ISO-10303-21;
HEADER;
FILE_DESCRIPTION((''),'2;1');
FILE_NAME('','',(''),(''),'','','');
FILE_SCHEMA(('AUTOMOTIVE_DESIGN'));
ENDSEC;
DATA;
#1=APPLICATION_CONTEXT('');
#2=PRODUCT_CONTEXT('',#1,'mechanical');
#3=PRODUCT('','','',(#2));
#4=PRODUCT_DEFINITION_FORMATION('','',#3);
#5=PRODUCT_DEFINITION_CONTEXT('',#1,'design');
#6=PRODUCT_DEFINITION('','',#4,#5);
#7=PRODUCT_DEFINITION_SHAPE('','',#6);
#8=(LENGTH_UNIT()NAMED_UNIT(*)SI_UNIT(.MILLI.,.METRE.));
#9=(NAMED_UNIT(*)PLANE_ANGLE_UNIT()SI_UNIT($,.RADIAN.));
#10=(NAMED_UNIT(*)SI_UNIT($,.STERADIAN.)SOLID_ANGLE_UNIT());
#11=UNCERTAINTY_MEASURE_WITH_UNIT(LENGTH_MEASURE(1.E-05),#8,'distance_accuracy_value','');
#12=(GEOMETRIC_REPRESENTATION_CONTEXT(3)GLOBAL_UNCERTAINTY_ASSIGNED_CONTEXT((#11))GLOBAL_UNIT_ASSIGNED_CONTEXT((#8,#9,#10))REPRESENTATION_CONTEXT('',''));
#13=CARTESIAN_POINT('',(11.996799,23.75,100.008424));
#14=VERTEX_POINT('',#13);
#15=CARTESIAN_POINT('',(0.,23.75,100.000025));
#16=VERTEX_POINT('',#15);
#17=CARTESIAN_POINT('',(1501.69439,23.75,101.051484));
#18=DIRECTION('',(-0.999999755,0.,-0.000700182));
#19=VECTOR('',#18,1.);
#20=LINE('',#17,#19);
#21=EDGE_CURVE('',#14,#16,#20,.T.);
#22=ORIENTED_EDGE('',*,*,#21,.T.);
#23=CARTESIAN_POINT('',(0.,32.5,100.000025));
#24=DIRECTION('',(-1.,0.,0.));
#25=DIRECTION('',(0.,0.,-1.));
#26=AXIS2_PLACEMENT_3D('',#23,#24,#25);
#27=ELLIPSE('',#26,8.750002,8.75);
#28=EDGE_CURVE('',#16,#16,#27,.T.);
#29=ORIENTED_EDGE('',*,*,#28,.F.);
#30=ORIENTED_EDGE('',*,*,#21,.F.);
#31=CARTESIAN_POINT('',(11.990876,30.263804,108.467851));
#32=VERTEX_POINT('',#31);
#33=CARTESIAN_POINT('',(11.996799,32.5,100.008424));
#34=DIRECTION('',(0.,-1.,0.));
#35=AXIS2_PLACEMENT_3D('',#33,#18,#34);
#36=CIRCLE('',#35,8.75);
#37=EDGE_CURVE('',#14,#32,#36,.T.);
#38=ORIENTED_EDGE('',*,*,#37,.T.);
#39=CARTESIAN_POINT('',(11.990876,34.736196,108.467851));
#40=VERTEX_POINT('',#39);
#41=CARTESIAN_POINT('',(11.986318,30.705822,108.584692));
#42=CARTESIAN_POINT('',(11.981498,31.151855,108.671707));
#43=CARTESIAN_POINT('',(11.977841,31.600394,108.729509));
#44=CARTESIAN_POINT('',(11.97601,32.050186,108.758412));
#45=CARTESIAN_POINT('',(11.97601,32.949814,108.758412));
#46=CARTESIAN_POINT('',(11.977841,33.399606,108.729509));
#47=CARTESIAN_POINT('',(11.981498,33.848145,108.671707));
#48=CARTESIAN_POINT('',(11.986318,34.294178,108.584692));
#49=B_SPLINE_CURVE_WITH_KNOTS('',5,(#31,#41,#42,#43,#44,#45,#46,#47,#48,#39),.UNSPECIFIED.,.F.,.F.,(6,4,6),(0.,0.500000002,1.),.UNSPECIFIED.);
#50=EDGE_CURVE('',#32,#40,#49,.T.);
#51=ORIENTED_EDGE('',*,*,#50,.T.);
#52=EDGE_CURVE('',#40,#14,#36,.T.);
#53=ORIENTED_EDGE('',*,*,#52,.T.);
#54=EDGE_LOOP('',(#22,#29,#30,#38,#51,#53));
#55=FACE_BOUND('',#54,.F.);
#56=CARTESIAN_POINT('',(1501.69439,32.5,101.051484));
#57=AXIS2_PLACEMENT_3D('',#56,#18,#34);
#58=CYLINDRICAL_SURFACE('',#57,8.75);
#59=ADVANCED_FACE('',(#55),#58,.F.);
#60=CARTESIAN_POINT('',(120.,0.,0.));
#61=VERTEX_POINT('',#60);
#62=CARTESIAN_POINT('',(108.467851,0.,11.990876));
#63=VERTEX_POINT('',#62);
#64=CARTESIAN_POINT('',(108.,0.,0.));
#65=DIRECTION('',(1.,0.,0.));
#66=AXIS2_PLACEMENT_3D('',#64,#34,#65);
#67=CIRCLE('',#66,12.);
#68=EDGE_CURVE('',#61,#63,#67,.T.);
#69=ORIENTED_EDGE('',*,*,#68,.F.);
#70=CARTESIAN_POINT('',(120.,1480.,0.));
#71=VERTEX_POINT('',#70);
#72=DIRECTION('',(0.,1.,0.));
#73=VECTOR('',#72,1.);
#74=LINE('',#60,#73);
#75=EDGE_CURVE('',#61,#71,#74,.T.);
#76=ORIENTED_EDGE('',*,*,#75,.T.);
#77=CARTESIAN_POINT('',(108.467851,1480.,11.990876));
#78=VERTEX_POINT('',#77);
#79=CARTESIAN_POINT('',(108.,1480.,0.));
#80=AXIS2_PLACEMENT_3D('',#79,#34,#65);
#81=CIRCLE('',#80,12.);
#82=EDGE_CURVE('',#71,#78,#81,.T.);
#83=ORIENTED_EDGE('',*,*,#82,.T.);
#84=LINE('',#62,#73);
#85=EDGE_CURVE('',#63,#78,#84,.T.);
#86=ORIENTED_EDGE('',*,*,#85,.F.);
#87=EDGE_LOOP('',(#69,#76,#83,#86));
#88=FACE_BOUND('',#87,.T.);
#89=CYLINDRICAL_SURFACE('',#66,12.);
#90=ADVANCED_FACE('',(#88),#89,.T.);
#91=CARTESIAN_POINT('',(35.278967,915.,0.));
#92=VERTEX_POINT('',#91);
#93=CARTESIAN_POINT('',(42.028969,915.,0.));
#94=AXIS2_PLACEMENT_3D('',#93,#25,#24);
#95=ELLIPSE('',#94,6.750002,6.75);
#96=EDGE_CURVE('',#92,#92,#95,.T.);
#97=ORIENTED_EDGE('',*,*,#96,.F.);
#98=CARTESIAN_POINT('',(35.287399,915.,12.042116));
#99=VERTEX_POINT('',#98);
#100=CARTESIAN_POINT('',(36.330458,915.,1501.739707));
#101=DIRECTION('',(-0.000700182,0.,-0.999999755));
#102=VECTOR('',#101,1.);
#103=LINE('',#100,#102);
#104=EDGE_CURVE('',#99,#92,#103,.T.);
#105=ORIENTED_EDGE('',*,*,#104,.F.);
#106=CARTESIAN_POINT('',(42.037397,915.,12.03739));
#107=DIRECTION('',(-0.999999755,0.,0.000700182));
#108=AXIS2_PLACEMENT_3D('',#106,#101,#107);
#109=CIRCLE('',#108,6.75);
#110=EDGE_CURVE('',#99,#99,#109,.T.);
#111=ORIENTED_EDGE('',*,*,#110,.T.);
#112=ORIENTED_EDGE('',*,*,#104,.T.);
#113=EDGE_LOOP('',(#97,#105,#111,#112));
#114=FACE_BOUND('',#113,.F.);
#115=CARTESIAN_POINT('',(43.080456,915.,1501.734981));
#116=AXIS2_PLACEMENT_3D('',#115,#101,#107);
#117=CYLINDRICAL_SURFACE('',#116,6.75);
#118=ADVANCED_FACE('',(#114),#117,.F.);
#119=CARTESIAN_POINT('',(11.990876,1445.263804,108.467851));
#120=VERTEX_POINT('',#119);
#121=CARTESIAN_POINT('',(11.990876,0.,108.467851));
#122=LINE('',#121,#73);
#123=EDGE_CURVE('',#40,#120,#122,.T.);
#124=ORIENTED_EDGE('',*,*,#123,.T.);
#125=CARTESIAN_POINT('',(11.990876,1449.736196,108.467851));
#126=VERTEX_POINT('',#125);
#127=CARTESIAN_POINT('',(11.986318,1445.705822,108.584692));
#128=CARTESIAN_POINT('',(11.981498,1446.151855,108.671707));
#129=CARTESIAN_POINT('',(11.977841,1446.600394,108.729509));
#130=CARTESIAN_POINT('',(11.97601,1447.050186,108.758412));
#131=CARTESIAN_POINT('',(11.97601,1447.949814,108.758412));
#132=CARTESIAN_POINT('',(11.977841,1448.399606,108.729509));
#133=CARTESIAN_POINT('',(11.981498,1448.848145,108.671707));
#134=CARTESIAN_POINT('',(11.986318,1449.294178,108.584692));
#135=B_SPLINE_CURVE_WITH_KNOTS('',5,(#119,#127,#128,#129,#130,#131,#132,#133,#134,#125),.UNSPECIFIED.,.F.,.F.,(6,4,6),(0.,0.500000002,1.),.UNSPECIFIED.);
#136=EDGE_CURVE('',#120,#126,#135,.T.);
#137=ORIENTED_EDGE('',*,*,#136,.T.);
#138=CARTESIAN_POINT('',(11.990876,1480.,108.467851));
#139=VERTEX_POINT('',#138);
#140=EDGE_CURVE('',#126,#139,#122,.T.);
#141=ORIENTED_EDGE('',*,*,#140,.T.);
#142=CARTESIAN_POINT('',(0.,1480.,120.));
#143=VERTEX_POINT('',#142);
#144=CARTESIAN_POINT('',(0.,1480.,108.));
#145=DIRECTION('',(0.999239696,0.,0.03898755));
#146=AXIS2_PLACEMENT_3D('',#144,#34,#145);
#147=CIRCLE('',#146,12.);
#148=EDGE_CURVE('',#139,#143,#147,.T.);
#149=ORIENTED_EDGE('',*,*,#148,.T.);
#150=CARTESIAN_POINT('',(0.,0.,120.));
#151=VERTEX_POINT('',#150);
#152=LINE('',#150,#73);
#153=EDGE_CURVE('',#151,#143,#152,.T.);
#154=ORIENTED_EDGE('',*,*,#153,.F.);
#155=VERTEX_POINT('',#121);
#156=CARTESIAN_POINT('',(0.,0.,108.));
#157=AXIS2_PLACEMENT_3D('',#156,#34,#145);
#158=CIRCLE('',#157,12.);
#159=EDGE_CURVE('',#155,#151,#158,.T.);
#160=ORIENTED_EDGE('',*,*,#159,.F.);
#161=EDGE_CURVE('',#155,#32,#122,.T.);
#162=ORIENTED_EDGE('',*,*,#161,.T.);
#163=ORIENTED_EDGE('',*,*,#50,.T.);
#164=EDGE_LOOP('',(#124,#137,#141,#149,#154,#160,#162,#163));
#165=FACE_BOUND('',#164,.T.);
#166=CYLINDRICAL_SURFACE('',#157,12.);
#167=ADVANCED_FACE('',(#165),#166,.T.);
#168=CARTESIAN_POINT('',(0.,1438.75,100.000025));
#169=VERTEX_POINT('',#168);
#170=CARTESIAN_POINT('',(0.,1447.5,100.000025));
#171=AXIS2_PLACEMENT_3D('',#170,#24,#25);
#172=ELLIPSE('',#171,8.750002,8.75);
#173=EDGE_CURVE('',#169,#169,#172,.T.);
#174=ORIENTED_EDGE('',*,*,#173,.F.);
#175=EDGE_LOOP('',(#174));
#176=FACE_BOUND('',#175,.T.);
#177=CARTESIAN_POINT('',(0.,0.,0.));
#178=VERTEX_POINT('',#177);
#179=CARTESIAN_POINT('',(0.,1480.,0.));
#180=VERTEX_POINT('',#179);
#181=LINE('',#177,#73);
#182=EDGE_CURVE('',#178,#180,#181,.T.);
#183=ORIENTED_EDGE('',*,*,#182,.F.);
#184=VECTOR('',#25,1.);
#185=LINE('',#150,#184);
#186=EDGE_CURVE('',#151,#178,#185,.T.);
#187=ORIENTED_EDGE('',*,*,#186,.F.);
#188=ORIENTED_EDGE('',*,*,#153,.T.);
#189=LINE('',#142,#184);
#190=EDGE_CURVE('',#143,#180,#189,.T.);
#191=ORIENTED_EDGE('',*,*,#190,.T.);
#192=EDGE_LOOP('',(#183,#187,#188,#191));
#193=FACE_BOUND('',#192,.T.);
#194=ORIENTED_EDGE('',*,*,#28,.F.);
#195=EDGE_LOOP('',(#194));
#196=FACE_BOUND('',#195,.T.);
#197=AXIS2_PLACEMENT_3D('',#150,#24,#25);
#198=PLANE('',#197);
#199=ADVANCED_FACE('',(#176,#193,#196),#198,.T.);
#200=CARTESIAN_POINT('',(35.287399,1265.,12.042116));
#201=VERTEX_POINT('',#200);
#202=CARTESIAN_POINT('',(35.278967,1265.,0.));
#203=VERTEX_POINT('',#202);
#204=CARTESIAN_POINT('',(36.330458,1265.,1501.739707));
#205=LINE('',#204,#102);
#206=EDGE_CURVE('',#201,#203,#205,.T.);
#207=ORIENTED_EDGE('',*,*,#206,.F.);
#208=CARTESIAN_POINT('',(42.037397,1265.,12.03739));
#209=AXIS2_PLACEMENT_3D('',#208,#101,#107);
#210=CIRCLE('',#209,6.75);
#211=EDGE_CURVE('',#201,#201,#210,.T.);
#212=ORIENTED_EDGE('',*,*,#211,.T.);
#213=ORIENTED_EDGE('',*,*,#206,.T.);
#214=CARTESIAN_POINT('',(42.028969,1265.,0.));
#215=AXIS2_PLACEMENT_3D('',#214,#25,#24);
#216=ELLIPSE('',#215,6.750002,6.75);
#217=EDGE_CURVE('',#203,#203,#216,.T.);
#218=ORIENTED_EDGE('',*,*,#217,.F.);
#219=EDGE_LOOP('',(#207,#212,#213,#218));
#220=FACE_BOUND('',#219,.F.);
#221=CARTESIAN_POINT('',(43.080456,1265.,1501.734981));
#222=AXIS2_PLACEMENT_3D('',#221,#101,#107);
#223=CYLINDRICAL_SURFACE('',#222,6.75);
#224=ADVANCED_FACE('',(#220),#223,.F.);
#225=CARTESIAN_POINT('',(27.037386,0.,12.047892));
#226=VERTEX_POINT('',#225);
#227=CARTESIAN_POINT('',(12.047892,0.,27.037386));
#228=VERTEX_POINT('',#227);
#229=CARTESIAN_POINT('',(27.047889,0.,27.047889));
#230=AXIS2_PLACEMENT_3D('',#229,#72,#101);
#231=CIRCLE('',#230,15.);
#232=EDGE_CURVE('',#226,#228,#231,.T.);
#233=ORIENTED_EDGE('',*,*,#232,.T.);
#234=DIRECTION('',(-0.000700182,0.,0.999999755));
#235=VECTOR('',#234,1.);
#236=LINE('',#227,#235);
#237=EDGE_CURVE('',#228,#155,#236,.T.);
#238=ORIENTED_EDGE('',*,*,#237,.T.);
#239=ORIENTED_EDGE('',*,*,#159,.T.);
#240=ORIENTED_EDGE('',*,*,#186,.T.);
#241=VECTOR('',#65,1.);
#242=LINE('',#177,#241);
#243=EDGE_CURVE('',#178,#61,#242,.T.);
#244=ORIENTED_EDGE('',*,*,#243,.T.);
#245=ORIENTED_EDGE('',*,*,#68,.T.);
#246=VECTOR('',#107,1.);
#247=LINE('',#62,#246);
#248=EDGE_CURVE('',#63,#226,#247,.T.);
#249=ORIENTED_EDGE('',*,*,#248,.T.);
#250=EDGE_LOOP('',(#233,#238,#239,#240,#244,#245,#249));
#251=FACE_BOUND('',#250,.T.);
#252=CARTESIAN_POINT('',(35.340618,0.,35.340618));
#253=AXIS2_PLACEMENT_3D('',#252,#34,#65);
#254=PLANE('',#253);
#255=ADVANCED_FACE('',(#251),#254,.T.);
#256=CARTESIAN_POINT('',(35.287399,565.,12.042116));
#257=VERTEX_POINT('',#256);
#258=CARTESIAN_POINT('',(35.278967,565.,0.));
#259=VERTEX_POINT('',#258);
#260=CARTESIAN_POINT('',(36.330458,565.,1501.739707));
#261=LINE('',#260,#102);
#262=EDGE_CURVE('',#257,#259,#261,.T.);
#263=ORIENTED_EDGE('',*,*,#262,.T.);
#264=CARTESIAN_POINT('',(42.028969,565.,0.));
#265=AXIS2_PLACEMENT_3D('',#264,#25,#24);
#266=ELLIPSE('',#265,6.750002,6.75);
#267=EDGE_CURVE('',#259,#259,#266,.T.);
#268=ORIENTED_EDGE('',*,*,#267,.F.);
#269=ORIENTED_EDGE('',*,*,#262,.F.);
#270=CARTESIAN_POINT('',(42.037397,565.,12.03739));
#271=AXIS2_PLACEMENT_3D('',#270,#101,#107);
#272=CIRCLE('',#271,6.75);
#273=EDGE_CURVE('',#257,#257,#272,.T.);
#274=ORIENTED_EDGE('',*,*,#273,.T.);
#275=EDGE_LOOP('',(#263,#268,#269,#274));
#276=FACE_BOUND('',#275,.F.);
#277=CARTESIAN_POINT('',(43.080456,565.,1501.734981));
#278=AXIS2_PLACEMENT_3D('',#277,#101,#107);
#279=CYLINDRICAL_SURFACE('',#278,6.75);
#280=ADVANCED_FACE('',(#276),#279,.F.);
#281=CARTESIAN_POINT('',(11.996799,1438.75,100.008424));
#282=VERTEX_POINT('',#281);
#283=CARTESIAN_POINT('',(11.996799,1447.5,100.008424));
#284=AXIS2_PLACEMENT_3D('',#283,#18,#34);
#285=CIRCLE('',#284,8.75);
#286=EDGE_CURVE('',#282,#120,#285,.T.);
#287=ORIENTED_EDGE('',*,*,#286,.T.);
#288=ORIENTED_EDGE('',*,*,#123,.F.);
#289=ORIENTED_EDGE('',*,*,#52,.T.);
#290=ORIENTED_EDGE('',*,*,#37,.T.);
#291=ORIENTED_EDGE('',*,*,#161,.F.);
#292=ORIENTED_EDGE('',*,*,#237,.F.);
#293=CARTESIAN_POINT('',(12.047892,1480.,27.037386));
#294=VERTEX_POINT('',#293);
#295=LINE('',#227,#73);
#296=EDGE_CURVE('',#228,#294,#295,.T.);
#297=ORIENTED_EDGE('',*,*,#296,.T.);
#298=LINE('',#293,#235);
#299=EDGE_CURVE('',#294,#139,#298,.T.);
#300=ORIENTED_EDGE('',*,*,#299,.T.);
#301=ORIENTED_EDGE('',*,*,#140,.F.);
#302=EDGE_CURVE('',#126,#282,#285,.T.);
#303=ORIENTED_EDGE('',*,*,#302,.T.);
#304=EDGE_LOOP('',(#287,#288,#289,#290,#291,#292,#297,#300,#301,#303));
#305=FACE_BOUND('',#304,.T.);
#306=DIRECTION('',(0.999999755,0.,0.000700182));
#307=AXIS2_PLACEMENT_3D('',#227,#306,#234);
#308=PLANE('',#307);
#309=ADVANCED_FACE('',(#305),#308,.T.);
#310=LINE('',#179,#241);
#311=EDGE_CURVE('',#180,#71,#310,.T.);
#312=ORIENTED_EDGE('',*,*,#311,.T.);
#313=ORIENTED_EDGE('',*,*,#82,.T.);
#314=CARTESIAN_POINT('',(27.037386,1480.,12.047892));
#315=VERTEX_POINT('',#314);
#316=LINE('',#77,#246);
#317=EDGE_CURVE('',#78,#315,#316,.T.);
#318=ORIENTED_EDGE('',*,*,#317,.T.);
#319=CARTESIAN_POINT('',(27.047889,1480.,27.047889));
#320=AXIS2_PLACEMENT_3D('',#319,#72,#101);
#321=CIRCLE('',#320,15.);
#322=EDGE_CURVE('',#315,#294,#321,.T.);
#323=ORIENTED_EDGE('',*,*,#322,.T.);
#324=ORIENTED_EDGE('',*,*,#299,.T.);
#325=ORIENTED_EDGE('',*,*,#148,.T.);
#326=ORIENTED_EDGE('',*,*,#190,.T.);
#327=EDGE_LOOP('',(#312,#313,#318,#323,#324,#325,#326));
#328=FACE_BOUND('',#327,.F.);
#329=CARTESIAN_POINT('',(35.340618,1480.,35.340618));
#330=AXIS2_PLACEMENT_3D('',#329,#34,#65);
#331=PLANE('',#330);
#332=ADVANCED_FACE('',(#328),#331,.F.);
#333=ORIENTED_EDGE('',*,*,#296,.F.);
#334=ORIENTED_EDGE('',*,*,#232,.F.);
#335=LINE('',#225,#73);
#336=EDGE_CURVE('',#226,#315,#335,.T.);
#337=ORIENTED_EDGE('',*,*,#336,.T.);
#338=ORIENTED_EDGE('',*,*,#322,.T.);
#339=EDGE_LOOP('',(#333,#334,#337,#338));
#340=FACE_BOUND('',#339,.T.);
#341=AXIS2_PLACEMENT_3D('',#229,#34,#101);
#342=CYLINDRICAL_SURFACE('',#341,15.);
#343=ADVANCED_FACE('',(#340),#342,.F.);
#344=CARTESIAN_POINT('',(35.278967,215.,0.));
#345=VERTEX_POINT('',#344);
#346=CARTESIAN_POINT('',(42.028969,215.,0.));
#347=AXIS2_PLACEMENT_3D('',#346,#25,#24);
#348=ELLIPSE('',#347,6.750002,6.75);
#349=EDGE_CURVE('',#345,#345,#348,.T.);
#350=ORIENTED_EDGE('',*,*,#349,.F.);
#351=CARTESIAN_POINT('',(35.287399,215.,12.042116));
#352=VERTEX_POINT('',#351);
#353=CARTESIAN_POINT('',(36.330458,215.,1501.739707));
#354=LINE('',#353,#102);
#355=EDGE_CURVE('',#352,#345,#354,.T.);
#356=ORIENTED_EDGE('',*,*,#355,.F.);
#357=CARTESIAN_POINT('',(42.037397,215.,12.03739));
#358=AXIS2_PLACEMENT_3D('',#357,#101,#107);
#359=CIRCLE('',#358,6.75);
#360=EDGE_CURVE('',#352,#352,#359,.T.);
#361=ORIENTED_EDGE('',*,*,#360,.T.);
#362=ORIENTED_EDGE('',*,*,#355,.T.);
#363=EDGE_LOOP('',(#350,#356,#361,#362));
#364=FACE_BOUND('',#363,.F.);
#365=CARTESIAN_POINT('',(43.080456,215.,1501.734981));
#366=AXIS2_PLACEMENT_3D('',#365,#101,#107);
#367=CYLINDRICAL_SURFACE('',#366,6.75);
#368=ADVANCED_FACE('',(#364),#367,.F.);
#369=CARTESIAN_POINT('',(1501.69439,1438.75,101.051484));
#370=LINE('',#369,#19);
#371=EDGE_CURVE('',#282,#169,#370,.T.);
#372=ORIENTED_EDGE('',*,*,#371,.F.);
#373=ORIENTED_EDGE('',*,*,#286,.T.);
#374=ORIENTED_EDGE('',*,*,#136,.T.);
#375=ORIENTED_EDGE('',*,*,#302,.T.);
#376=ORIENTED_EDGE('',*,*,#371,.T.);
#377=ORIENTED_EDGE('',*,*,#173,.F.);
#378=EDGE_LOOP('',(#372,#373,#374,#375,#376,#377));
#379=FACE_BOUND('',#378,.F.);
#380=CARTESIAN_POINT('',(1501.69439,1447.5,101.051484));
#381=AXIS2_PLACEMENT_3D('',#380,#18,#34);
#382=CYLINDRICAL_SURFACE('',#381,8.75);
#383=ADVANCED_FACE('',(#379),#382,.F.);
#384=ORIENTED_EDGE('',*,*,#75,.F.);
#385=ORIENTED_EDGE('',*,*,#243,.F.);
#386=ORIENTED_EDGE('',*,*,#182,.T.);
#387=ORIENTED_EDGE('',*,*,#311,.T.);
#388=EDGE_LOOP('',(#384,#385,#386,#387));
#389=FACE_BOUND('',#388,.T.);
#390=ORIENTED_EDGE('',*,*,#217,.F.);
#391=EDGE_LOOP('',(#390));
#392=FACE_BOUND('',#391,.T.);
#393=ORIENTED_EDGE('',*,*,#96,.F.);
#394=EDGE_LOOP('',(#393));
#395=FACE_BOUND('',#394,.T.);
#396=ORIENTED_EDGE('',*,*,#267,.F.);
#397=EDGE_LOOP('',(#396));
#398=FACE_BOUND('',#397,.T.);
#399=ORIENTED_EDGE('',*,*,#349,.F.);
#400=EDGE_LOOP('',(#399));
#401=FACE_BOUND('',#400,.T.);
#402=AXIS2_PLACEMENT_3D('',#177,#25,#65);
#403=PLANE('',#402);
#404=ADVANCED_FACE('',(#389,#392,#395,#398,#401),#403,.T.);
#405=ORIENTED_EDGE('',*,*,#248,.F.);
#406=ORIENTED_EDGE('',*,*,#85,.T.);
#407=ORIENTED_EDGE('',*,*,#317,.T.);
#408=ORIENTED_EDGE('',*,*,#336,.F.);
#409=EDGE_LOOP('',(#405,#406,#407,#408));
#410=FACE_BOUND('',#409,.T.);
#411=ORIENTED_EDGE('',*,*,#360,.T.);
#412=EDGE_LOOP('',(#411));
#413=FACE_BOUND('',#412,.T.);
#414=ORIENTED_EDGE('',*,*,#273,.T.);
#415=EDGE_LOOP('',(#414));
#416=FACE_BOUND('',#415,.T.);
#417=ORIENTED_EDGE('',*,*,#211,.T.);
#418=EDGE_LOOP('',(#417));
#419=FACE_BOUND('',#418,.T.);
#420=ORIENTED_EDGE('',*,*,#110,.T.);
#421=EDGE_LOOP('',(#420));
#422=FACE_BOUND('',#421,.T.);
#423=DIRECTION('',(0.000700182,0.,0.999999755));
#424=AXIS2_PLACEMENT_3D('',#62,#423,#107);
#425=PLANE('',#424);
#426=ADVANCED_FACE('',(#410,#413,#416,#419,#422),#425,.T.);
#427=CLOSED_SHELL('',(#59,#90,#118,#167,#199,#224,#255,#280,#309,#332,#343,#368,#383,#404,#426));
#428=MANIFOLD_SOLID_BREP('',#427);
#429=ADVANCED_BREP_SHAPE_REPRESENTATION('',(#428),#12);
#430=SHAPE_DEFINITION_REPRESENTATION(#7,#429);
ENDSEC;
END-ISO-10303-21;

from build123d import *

# Parameters (mm, degrees)
F2_DEPTH = 1480
F4_D     = 17.5
F6_D     = 13.5


with BuildPart() as f2:
    # F1 (on Front) → F2 (new body)
    with BuildSketch(Plane.XZ):
        with BuildLine():
            Line((0, 120), (0, 0))
            Line((0, 0), (120, 0))
            ThreePointArc((120, 0), (116.6491099907, 8.3182267562), (108.4678506053, 11.9908763571))
            Line((108.4678506053, 11.9908763571), (27.0373860807, 12.047892481))
            ThreePointArc((27.0373860807, 12.047892481), (16.4412870863, 16.4412870863), (12.047892481, 27.0373860807))
            Line((12.047892481, 27.0373860807), (11.9908763571, 108.4678506053))
            ThreePointArc((11.9908763571, 108.4678506053), (8.3182267562, 116.6491099907), (0, 120))
        make_face()
    extrude(amount=-F2_DEPTH)

    # F4 (through all)
    with Locations(Plane(origin=(12.0668176491, 0, 0.0084489653), x_dir=(0, 1, 0), z_dir=(0.9999997549, 0, 0.0007001816))):
        with Locations((32.5, 100), (1447.5, 100)):
            Hole(F4_D / 2)

    # F6 (through all)
    with Locations(Plane(origin=(0.0084489653, 0, 12.0668176491), x_dir=(0.9999997549, 0, -0.0007001816), z_dir=(0.0007001816, 0, 0.9999997549))):
        with Locations((42.0289584485, 215), (42.0289584485, 565), (42.0289584485, 915), (42.0289584485, 1265)):
            Hole(F6_D / 2)


solid = f2.part
